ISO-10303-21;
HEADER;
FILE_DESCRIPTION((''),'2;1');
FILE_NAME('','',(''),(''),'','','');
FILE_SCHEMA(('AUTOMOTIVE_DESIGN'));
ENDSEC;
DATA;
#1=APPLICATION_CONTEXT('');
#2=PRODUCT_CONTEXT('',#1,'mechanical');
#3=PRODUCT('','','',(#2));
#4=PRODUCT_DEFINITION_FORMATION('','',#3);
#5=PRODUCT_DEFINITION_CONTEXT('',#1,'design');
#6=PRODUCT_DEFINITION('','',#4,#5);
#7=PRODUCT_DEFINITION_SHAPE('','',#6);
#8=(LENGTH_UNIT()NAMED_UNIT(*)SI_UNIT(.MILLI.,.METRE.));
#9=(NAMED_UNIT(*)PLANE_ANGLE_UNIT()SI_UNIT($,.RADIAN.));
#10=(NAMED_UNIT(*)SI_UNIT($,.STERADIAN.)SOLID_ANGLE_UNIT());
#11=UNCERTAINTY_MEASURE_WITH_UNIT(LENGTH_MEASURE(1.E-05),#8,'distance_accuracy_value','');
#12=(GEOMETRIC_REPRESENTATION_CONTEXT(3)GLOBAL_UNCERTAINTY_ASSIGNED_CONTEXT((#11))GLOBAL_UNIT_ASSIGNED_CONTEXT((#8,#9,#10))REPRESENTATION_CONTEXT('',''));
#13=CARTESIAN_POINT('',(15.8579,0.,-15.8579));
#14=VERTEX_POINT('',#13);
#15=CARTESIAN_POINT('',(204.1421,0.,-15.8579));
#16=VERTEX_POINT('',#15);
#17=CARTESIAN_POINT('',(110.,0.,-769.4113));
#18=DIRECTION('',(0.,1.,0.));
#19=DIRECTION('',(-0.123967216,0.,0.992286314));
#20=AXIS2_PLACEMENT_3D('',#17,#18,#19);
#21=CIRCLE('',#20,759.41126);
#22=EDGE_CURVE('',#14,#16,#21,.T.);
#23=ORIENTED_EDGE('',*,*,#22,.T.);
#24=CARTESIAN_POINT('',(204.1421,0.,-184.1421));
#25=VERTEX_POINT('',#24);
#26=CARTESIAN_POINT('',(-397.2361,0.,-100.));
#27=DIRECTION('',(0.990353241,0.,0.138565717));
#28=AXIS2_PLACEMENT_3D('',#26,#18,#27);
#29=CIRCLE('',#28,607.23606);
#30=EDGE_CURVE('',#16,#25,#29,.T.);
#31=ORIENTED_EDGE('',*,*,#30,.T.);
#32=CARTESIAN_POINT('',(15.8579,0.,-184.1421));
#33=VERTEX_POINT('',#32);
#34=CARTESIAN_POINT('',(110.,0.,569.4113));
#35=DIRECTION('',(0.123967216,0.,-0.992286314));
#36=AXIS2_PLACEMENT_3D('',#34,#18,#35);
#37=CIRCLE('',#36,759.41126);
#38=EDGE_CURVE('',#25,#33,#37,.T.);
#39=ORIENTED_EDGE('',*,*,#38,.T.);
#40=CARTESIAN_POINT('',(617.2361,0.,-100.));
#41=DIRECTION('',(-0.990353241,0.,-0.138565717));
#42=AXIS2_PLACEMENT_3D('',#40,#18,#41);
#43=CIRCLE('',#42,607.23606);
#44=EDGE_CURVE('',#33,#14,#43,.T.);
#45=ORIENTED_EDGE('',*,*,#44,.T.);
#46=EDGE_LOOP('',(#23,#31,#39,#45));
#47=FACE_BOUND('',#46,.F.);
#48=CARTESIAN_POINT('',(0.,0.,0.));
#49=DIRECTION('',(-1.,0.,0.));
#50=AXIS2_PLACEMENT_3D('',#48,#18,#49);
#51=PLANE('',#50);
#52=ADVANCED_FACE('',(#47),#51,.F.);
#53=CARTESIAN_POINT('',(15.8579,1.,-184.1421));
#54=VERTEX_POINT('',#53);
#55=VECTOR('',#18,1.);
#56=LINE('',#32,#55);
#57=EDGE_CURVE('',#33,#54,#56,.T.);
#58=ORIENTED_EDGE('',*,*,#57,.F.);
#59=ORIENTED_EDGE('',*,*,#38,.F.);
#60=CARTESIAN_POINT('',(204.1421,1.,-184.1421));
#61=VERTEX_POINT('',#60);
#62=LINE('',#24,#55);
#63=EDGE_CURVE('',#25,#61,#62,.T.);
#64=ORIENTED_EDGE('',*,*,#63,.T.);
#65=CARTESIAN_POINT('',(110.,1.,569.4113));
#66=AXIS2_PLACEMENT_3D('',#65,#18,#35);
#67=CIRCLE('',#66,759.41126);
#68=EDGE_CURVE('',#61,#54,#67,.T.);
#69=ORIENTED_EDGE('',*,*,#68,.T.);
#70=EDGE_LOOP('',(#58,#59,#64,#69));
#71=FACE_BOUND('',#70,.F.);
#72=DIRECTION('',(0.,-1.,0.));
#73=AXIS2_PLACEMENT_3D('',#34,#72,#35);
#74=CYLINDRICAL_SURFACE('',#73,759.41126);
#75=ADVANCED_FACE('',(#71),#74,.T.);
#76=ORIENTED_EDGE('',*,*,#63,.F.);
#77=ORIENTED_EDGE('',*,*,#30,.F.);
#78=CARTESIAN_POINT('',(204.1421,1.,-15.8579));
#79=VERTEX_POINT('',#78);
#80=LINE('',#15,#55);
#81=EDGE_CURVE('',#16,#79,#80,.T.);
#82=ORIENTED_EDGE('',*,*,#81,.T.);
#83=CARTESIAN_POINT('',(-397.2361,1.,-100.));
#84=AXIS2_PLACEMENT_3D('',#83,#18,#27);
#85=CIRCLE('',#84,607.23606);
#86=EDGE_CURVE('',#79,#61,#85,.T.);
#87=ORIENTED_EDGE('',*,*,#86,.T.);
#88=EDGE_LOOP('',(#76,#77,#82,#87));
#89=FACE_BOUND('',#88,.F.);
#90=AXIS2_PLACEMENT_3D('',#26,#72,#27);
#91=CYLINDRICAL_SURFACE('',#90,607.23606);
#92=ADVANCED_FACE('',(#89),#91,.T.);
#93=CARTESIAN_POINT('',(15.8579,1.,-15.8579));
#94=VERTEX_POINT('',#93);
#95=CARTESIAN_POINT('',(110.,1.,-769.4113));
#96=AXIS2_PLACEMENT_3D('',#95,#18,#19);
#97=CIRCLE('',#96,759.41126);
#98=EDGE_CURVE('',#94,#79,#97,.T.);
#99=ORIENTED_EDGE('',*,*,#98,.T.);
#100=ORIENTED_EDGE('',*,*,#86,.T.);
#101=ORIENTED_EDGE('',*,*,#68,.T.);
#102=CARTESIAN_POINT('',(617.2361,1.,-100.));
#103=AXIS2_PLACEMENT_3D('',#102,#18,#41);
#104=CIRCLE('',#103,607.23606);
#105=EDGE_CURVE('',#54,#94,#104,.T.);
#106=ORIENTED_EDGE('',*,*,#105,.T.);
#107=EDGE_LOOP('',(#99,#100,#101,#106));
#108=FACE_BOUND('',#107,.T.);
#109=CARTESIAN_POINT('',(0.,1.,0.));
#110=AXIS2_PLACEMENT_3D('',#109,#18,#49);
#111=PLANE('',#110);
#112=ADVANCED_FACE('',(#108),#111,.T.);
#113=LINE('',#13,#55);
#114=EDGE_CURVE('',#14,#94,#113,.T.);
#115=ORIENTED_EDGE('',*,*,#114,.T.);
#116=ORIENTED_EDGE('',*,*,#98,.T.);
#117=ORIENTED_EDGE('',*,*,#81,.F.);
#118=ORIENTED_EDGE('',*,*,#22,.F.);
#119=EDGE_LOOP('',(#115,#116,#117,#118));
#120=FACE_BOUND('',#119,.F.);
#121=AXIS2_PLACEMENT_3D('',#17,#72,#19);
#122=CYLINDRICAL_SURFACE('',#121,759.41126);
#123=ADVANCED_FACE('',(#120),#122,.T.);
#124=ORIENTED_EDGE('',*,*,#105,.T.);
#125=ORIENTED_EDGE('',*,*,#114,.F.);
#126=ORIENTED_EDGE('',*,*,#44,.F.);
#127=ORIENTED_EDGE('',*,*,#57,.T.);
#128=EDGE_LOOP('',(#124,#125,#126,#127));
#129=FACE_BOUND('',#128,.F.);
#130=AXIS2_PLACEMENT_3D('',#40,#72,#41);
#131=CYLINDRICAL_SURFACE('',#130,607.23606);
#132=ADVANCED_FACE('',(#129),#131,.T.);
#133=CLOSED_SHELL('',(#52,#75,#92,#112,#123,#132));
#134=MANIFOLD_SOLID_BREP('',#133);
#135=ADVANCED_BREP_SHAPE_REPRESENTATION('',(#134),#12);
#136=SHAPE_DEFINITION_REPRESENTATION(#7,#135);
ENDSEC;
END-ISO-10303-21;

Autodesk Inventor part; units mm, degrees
ref_plane "YZ Plane" through (0, 0, 0) normal (1, 0, 0) x (0, 1, 0)
ref_plane "XZ Plane" through (0, 0, 0) normal (0, 1, 0) x (-1, 0, 0)
ref_plane "XY Plane" through (0, 0, 0) normal (0, 0, 1) x (1, 0, 0)
sketch "Эскиз1" plane through (0, 0, 0) normal (0, 1, 0) x (-1, 0, 0)
  line L0 (0, -200) -> (-220, -200)
  line L1 (-220, -200) -> (-220, 0)
  line L2 (-220, 0) -> (0, 0)
  line L3 (0, 0) -> (0, -200)
  line L4 (-30, -170) -> (-190, -170)
  line L5 (-190, -170) -> (-190, -30)
  line L6 (-190, -30) -> (-30, -30)
  line L7 (-30, -30) -> (-30, -170)
  line L8 (0, -200) -> (-30, -170)
  line L9 (-220, -200) -> (-190, -170)
  line L10 (0, 0) -> (-30, -30)
  line L11 (-220, 0) -> (-190, -30)
  line L12 (-30, -170) -> (-15.8579, -184.1421)
  line L13 (-190, -170) -> (-204.1421, -184.1421)
  line L14 (-190, -30) -> (-204.1421, -15.8579)
  line L15 (-30, -30) -> (-15.8579, -15.8579)
  arc A0 (-204.1421, -184.1421) -> (-15.8579, -184.1421) centre (-110, 569.4113) ccw
  arc A1 (-15.8579, -184.1421) -> (-15.8579, -15.8579) centre (-617.2361, -100) ccw
  arc A2 (-204.1421, -15.8579) -> (-204.1421, -184.1421) centre (397.2361, -100) ccw
  arc A3 (-15.8579, -15.8579) -> (-204.1421, -15.8579) centre (-110, -769.4113) ccw
  point P0 (-110, -190)
  point P1 (-10, -100)
  point P2 (-210, -100)
  point P3 (-110, -10)
  dimension "d0" = 220
  dimension "d1" = 200
  dimension "d2" = 30
  dimension "d3" = 30
  dimension "d4" = 30
  dimension "d5" = 30
  dimension "d6" = 20
  dimension "d7" = 20
  dimension "d8" = 20
  dimension "d9" = 20
  dimension "d10" = 20
  dimension "d11" = 20
  dimension "d12" = 20
  dimension "d13" = 20
extrude "Выдавливание1" add sketch "Эскиз1" along normal blind 1 contours A0 L9 L4 L8 | L8 L7 L10 A1 | A2 L11 L5 L9 | L10 L6 L11 A3 | L4 L5 L6 L7
properties part number "kawa" material "Кожа, темно-коричневая"
